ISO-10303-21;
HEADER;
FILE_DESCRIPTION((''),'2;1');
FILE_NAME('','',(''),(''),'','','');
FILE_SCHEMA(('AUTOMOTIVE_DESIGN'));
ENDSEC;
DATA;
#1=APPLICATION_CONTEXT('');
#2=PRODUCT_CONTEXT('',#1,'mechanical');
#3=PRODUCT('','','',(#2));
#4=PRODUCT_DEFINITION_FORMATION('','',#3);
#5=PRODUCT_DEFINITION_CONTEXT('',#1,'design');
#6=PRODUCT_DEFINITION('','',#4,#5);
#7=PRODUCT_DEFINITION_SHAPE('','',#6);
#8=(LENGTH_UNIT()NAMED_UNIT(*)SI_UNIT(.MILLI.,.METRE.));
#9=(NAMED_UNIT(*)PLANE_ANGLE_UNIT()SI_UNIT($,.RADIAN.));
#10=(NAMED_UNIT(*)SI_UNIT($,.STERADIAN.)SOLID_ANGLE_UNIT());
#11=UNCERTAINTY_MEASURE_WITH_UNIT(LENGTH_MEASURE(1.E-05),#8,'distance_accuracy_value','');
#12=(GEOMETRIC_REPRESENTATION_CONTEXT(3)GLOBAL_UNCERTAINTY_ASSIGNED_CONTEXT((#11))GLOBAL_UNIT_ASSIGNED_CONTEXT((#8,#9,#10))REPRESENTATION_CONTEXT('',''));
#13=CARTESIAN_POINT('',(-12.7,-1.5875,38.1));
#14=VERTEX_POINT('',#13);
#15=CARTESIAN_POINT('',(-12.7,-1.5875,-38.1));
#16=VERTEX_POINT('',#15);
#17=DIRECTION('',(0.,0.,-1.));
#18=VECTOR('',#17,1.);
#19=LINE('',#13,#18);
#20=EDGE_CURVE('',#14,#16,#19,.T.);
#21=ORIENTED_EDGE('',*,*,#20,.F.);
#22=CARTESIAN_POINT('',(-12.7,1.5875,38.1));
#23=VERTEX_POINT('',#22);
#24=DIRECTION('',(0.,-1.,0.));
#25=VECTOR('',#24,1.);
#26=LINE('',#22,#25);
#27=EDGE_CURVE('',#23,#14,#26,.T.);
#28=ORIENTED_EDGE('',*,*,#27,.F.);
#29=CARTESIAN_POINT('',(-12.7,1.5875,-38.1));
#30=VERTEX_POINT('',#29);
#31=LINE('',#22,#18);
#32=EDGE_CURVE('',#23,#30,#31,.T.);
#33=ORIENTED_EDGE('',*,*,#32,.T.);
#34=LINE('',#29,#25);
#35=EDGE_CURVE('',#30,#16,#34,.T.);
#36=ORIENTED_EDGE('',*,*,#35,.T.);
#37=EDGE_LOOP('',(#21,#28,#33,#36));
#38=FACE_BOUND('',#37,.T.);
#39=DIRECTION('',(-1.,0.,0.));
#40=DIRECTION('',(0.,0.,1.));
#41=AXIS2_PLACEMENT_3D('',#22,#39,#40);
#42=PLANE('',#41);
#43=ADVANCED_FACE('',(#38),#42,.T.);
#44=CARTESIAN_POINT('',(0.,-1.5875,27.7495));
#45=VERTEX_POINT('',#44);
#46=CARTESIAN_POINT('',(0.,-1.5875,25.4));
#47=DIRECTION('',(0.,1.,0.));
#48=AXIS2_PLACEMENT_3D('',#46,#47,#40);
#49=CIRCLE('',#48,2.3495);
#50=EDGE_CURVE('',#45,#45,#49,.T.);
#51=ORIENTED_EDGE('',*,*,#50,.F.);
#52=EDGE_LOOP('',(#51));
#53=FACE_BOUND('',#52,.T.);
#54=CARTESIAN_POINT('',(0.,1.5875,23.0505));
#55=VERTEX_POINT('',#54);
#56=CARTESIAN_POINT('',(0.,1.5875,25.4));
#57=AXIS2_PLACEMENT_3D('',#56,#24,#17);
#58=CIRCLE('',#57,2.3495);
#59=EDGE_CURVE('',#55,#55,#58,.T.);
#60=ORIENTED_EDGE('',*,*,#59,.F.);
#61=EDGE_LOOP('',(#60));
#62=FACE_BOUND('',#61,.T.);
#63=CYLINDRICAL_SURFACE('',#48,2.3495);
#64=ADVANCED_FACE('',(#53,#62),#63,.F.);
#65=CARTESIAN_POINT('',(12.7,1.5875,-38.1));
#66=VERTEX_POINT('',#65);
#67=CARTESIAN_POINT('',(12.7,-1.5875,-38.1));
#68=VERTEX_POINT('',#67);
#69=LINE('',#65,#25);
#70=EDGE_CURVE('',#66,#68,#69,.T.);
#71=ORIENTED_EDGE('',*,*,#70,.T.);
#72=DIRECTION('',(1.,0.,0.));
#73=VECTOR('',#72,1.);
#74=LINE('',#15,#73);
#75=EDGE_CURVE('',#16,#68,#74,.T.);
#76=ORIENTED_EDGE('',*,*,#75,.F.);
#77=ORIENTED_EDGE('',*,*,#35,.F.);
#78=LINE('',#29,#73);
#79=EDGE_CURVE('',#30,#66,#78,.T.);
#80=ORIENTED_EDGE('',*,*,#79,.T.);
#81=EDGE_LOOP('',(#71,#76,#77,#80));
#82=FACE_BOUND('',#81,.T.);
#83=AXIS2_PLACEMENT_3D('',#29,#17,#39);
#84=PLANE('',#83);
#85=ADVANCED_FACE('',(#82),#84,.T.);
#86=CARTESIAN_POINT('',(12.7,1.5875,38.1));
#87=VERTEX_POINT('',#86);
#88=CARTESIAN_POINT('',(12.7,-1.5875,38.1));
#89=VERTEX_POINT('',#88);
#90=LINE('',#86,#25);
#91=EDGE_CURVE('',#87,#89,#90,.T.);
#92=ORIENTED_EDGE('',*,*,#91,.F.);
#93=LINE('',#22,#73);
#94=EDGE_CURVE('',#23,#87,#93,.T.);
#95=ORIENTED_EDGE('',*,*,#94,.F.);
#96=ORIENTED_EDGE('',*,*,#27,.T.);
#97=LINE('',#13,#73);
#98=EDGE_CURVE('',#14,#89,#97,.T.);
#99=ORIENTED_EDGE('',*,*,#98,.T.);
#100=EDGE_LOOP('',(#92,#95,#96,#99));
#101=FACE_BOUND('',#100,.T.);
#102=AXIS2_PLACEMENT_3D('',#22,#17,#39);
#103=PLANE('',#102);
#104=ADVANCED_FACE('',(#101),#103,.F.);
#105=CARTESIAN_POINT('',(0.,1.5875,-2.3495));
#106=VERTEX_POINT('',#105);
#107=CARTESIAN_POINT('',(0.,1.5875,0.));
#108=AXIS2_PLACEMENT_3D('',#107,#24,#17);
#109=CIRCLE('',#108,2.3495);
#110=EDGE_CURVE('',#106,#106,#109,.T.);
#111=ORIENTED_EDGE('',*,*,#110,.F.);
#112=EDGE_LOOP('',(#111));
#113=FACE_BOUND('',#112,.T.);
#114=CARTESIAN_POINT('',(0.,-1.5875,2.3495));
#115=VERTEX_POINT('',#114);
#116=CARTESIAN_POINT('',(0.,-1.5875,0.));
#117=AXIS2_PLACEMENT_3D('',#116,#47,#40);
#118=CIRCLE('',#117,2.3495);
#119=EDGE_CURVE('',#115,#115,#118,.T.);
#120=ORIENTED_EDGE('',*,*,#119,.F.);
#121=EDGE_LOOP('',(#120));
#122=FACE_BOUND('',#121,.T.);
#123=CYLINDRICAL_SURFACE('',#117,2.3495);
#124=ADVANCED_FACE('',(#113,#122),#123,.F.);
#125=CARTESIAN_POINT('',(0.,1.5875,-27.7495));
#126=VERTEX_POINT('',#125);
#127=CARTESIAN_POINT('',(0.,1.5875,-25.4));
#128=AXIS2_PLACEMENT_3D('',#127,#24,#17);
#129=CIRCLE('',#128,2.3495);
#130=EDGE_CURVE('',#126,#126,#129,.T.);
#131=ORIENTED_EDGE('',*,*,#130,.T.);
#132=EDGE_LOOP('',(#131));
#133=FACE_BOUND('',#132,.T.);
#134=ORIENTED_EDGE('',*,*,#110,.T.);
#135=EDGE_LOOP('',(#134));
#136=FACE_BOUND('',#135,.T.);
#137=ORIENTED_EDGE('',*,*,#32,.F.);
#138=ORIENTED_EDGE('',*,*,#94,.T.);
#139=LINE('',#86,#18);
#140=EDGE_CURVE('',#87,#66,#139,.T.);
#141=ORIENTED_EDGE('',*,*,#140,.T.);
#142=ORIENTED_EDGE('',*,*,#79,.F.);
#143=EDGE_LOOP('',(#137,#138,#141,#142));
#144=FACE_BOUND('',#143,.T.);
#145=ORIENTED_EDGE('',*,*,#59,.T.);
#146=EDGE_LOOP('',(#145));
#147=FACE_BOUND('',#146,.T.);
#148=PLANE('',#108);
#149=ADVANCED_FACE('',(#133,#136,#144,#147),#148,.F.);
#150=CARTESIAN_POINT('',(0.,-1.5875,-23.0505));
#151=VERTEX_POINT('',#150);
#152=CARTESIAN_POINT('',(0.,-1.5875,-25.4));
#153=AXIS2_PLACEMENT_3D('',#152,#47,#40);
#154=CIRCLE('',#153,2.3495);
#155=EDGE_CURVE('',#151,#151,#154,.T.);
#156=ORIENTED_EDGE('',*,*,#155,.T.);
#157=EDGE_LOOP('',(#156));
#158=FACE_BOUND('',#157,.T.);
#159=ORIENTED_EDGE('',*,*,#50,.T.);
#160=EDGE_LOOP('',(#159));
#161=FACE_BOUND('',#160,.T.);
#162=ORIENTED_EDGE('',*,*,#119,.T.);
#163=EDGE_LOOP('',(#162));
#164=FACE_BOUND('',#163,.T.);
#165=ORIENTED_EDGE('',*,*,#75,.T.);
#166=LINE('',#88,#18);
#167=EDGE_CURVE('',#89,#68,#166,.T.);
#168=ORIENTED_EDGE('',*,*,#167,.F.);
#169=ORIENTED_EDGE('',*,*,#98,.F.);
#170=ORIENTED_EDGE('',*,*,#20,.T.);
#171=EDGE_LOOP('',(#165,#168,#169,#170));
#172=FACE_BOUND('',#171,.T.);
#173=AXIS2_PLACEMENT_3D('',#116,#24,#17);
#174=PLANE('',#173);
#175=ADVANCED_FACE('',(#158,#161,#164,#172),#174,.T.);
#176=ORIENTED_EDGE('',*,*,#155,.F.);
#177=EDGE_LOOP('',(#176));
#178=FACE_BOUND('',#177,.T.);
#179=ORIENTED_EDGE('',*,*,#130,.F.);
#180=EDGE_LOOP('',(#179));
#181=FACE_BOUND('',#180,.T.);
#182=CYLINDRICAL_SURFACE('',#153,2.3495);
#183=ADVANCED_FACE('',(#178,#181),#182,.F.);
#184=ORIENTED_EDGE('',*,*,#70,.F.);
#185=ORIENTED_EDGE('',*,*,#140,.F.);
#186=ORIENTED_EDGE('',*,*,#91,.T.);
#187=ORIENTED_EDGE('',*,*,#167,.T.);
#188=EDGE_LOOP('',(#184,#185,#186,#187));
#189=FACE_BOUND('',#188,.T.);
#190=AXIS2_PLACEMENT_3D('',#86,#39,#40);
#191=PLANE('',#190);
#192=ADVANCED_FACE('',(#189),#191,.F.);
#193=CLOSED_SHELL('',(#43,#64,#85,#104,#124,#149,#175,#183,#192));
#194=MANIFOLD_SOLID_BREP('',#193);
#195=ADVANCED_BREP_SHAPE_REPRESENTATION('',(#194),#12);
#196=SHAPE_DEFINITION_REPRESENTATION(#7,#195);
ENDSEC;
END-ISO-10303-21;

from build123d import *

# Parameters (mm, degrees)
SKETCH1_W               = 25.4
SKETCH1_H               = 76.2
BOSS_EXTRUDE1_DEPTH     = 1.5875
CUT_EXTRUDE1_DEPTH      = 41.286233691
CUT_EXTRUDE1_DEPTH_BACK = 41.286233691
SKETCH2_R               = 2.3495


with BuildPart() as part:
    # Sketch1 → Boss-Extrude1 (new, symmetric)
    with BuildSketch(Plane(origin=(0, 0, 0), x_dir=(1, 0, 0), z_dir=(0, 1, 0))):
        Rectangle(SKETCH1_W, SKETCH1_H)
    extrude(amount=BOSS_EXTRUDE1_DEPTH, both=True)

    # Sketch2 → Cut-Extrude1 (cut, two sides: drawn at the far end of the back side and taken through both)
    with BuildSketch(Plane(origin=(0, 1.5875, 0), x_dir=(1, 0, 0), z_dir=(0, 1, 0)).offset(-CUT_EXTRUDE1_DEPTH_BACK)):
        with Locations(Location((0, -25.4, 0), (0, 0, 270))):
            Circle(SKETCH2_R)
        with Locations(Location((0, 0, 0), (0, 0, 270))):
            Circle(SKETCH2_R)
        with Locations(Location((0, 25.4, 0), (0, 0, 270))):
            Circle(SKETCH2_R)
    extrude(amount=CUT_EXTRUDE1_DEPTH + CUT_EXTRUDE1_DEPTH_BACK, mode=Mode.SUBTRACT)


solid = part.part
